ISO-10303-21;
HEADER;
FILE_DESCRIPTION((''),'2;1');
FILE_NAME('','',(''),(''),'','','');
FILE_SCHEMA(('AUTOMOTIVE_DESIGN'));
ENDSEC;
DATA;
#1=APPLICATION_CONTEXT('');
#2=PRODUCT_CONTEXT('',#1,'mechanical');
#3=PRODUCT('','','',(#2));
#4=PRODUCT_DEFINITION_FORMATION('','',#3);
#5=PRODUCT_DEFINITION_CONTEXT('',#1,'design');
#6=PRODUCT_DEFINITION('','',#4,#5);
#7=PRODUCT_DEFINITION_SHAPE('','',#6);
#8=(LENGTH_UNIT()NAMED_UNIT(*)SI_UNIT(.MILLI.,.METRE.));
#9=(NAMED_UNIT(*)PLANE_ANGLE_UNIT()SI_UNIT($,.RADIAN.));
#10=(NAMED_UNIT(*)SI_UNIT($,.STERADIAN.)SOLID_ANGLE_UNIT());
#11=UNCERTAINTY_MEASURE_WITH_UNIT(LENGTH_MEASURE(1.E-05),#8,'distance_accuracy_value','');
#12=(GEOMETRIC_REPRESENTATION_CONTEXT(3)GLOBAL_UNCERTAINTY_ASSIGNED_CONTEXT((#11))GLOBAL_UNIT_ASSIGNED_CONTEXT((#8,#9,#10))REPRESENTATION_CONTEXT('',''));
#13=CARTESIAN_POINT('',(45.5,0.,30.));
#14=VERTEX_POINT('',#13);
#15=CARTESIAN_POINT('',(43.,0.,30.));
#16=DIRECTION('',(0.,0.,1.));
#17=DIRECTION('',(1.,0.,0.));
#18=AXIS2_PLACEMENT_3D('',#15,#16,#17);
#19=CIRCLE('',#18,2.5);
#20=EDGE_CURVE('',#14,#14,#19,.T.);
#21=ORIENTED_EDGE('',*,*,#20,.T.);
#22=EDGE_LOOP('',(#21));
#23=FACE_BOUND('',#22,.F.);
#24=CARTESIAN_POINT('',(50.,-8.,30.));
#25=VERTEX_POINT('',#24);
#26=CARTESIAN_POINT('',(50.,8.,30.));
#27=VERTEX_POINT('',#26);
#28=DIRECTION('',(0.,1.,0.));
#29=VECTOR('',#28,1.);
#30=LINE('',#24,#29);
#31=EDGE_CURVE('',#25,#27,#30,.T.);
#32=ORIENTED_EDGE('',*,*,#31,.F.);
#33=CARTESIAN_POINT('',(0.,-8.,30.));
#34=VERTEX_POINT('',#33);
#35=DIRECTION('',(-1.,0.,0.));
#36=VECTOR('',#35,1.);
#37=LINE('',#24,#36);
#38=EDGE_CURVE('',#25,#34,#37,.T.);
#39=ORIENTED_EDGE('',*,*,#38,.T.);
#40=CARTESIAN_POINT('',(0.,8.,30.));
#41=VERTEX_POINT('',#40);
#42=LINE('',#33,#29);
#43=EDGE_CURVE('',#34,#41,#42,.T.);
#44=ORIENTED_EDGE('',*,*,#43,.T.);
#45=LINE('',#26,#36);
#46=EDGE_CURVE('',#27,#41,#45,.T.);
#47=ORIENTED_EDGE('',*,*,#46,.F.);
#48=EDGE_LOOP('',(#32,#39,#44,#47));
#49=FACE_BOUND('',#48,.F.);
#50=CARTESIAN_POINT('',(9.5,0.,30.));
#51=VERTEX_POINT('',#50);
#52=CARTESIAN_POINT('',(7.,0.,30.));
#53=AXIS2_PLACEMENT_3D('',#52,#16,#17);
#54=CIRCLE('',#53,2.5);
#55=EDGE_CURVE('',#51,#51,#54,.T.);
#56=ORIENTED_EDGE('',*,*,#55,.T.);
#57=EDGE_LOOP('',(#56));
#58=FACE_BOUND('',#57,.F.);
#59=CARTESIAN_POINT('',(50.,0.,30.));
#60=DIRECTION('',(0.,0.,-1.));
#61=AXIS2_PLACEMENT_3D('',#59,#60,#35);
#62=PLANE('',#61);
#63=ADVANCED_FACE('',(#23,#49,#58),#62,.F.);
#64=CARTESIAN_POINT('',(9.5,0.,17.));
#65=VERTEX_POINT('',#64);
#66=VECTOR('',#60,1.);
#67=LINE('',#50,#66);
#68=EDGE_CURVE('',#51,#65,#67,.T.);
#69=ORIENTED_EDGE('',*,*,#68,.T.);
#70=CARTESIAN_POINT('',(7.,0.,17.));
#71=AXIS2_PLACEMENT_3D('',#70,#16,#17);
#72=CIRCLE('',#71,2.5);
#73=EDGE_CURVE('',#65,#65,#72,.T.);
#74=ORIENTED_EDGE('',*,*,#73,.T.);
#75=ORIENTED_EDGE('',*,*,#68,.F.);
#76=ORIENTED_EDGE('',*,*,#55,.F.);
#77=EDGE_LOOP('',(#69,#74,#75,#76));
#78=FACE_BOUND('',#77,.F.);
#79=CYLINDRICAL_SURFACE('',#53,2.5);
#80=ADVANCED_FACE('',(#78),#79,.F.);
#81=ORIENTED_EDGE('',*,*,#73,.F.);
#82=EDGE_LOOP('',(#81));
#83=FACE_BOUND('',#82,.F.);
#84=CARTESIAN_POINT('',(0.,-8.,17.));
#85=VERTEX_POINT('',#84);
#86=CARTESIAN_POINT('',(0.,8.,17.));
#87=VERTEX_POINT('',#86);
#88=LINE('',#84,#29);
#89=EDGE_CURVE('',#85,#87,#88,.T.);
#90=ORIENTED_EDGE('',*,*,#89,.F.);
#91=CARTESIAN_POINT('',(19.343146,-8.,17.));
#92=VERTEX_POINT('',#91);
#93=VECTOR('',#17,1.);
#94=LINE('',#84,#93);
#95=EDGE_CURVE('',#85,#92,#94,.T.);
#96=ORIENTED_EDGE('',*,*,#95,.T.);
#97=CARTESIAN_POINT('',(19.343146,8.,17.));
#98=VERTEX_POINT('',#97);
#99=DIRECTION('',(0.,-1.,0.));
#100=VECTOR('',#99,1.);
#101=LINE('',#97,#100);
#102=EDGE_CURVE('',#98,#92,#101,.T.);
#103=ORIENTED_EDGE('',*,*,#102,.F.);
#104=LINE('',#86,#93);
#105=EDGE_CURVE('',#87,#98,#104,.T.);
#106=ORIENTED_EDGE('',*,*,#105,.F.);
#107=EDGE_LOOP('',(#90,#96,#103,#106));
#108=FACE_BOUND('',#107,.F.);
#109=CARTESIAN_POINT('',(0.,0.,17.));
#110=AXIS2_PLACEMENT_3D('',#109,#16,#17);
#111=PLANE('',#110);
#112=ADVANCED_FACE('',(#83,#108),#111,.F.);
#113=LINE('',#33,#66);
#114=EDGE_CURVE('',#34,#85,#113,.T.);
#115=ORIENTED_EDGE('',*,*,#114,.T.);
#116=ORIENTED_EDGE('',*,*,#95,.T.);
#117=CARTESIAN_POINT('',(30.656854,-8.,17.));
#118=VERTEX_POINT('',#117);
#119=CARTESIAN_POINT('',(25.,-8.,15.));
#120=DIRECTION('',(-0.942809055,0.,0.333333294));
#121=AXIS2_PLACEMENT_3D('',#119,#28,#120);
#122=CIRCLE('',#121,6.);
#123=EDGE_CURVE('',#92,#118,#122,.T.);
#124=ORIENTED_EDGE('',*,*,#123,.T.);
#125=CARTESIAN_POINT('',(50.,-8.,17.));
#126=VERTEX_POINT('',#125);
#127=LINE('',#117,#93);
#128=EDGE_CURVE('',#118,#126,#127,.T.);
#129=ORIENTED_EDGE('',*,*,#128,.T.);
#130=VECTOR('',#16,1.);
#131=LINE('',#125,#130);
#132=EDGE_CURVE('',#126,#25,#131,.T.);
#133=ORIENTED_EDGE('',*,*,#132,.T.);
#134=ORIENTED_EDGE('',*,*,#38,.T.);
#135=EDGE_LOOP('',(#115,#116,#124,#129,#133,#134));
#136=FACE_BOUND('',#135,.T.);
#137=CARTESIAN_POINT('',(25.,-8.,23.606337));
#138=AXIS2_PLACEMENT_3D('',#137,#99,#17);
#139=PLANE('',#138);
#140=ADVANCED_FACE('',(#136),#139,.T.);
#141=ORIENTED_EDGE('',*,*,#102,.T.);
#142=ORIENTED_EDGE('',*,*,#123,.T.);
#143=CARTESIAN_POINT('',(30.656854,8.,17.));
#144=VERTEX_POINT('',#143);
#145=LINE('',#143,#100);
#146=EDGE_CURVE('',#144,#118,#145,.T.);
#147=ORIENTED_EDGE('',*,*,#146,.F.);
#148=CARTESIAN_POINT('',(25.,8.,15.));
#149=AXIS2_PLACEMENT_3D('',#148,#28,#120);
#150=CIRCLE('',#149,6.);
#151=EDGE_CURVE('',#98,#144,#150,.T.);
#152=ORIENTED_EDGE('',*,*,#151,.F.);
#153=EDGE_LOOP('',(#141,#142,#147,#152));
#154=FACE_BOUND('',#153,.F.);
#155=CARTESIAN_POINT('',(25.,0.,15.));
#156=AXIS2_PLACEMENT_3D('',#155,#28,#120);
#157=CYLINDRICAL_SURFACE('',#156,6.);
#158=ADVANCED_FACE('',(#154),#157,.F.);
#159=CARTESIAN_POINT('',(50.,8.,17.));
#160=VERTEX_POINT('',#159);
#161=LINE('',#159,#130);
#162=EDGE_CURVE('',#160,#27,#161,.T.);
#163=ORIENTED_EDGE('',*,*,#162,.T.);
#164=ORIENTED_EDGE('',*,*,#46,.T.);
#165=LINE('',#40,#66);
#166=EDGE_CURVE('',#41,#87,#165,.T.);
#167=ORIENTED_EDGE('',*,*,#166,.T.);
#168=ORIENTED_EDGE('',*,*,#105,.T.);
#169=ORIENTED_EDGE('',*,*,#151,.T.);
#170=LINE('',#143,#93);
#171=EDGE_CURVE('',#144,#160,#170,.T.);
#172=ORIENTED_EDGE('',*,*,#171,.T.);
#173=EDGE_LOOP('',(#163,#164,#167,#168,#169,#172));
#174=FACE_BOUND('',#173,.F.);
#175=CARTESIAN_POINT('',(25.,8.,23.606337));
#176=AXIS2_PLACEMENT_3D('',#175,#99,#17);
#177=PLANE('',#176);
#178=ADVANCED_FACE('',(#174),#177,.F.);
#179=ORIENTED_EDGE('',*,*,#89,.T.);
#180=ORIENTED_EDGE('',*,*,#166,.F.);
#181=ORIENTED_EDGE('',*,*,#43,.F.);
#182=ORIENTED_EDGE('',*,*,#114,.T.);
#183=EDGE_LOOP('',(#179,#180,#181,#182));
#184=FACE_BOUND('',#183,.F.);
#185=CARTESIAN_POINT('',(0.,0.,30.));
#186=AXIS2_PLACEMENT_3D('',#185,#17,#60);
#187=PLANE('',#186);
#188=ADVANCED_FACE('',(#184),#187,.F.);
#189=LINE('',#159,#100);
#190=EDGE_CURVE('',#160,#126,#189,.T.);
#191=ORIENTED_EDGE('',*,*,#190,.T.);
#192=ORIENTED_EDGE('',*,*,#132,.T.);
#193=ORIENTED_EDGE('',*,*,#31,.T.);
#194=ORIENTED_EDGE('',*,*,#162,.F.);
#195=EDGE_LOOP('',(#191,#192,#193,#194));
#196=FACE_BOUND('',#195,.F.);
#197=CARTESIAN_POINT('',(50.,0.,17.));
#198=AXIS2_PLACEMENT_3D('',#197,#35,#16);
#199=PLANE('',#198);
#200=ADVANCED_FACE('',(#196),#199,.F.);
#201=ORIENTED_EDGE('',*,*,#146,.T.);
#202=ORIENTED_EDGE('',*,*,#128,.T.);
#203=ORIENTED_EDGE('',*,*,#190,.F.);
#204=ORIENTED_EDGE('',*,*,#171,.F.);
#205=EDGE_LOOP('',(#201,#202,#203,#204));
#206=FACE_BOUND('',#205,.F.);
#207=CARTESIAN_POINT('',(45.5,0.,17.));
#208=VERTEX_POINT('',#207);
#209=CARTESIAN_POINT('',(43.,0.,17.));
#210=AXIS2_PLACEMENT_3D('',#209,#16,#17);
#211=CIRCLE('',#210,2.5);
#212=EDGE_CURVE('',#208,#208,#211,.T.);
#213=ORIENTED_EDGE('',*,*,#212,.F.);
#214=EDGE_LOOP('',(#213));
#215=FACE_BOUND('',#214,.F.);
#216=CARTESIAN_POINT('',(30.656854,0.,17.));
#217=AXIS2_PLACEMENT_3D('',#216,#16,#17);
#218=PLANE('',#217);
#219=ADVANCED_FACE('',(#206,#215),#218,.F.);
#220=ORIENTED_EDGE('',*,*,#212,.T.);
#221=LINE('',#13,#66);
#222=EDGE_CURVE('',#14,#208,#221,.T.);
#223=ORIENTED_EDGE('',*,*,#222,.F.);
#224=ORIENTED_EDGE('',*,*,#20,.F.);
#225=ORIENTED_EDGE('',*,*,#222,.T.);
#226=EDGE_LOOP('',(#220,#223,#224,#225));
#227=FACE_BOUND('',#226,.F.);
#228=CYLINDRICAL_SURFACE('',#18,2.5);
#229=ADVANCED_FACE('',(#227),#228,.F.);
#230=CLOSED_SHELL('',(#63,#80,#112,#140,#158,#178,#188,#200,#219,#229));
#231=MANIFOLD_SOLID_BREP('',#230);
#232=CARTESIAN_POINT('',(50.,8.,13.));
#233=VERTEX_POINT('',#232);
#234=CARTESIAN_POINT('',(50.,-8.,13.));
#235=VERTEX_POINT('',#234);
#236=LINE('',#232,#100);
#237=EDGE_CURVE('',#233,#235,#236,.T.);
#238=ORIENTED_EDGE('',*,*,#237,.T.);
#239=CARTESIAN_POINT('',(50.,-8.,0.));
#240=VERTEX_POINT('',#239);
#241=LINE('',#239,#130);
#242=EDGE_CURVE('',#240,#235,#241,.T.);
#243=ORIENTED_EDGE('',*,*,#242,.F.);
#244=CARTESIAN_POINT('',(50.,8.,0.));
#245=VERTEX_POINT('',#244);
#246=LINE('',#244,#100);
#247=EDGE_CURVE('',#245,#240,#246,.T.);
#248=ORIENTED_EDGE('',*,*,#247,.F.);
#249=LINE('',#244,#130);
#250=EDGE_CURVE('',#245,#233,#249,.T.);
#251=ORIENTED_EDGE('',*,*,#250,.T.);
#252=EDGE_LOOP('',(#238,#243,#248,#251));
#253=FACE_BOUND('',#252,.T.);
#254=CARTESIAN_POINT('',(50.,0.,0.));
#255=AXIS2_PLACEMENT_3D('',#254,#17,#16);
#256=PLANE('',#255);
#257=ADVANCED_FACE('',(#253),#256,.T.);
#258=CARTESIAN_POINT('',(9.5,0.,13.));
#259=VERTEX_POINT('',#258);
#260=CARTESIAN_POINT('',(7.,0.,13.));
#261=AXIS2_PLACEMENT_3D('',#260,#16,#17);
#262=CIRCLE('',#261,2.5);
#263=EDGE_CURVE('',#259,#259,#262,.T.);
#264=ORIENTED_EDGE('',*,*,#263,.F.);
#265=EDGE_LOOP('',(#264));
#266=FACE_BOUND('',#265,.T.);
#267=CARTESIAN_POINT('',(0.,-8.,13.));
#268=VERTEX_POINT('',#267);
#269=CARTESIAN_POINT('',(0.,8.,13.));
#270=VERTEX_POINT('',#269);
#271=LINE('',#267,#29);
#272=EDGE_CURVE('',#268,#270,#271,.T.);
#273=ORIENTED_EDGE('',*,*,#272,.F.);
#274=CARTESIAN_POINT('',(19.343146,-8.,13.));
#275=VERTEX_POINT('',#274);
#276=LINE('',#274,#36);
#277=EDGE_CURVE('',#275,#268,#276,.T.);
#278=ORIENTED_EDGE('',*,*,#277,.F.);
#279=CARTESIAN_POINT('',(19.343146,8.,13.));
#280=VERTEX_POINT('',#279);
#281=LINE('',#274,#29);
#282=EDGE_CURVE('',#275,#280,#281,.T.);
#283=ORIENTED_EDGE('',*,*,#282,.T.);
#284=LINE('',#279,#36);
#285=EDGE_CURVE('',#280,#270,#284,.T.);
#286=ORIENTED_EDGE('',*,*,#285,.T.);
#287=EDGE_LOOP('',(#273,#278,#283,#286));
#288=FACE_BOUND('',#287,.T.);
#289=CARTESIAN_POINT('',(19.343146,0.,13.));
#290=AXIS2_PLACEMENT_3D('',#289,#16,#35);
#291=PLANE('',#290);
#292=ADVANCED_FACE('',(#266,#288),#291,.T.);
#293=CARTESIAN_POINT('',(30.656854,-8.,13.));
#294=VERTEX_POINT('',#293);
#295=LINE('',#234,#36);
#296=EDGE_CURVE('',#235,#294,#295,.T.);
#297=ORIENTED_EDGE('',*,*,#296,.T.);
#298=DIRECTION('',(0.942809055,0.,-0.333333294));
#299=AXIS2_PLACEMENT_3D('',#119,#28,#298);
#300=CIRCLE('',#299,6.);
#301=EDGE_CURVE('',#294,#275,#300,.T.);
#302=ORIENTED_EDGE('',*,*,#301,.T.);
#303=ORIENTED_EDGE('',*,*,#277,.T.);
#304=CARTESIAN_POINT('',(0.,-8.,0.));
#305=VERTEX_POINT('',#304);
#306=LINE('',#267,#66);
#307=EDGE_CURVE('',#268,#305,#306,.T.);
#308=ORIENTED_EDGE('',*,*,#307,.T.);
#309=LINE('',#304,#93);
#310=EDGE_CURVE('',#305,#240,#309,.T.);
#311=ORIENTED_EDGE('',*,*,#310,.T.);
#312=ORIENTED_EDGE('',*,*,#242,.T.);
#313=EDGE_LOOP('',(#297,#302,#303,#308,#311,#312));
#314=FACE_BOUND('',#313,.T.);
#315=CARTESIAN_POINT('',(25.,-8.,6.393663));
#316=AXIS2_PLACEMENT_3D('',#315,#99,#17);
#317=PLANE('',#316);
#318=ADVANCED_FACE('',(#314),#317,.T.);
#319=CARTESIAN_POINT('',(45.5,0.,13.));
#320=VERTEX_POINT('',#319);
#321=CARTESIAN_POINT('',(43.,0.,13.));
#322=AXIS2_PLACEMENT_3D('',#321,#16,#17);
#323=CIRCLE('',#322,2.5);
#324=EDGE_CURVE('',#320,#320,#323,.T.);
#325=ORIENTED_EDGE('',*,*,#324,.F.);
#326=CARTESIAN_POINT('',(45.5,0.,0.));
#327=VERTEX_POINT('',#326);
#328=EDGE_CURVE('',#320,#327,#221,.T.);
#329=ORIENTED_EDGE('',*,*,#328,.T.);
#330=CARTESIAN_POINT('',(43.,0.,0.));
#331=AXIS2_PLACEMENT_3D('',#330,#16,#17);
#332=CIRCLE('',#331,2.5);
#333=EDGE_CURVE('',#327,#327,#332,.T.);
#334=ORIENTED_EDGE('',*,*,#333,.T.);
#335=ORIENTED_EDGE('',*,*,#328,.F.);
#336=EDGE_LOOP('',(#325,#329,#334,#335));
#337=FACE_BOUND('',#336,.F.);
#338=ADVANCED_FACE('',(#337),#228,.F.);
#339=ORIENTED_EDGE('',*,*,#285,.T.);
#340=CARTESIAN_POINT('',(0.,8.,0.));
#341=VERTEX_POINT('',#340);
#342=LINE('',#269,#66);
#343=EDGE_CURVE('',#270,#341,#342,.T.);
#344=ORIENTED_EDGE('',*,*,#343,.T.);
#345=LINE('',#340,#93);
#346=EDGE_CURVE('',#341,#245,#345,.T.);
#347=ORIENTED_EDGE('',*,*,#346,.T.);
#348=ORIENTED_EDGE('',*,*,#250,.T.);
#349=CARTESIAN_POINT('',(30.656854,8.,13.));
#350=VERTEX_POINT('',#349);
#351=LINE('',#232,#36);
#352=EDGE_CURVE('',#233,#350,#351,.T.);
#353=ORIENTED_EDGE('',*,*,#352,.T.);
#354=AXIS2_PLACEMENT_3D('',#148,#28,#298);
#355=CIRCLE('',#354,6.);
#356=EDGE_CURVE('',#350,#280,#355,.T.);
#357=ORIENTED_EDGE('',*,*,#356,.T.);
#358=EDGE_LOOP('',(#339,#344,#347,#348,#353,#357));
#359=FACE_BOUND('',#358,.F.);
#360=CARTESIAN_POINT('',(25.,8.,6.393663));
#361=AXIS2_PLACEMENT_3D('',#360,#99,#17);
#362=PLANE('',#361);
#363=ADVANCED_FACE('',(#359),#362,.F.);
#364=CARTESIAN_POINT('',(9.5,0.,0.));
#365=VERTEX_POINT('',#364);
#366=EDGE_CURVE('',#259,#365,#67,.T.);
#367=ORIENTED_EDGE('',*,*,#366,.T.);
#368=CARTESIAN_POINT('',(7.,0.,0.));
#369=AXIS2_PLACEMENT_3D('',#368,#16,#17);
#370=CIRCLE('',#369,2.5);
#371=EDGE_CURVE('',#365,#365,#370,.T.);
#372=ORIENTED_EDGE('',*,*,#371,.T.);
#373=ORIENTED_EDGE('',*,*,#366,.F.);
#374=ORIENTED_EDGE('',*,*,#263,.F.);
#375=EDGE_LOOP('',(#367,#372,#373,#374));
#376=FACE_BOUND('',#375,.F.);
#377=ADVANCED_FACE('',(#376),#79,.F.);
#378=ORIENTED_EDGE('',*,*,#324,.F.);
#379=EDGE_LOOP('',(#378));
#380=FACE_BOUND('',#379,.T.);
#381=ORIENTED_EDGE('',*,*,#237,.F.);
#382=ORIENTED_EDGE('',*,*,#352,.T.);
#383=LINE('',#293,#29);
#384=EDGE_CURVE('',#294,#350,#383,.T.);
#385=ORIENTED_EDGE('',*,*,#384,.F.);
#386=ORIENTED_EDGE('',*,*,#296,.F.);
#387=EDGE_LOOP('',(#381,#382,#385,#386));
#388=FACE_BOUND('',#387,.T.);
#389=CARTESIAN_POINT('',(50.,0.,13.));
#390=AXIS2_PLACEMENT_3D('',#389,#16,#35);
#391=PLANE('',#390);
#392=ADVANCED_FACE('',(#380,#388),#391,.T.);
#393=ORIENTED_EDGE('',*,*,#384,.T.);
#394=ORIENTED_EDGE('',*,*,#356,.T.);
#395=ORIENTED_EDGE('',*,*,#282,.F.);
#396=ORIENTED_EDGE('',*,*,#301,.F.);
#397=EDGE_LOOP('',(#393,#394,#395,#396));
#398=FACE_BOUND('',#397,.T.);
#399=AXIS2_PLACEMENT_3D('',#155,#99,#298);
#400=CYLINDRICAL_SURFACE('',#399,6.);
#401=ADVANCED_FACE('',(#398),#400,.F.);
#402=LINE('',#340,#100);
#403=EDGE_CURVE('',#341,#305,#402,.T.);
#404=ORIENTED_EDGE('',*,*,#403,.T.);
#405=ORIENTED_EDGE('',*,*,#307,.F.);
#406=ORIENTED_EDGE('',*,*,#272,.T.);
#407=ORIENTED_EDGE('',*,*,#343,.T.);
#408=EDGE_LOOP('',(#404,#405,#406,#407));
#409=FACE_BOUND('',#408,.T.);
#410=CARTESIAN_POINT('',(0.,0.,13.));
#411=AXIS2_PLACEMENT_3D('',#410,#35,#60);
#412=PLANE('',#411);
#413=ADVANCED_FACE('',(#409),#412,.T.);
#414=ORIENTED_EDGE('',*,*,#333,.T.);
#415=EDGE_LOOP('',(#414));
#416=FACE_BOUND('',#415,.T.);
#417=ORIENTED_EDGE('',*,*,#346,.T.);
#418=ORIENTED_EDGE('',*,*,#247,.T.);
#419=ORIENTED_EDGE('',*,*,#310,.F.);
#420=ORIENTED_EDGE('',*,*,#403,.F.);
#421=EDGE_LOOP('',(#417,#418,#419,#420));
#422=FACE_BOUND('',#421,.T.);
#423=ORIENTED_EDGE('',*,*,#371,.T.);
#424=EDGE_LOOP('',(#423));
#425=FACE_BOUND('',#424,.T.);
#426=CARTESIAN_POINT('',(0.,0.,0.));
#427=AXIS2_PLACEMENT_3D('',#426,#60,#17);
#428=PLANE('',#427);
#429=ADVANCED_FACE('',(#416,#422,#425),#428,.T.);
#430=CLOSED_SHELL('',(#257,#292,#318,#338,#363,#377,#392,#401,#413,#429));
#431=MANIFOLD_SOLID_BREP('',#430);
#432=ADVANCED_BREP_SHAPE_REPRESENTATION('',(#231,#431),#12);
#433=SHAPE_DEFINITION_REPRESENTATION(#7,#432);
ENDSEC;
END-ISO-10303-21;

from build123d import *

# Parameters (mm, degrees)
F1_DEPTH = 8
F2_R     = 2.5
F3_DEPTH = 50


with BuildPart() as f1:
    # F0 (on Front) → F1 (new body, symmetric)
    with BuildSketch(Plane.XZ):
        with BuildLine():
            Line((0, 17), (19.343146, 17))
            ThreePointArc((19.343146, 17), (25, 21), (30.656854, 17))
            Line((30.656854, 17), (50, 17))
            Line((50, 17), (50, 30))
            Line((50, 30), (0, 30))
            Line((0, 30), (0, 17))
        make_face()
        with BuildLine():
            Line((0, 13), (0, 0))
            Line((0, 0), (50, 0))
            Line((50, 0), (50, 13))
            Line((50, 13), (30.656854, 13))
            ThreePointArc((30.656854, 13), (25, 9), (19.343146, 13))
            Line((19.343146, 13), (0, 13))
        make_face()
    extrude(amount=F1_DEPTH, both=True)

    # F2 (on face) → F3 (cut)
    with BuildSketch(Plane.XY.offset(30)):
        with Locations((7, 0)):
            Circle(F2_R)
        with Locations((43, 0)):
            Circle(F2_R)
    extrude(amount=-F3_DEPTH, mode=Mode.SUBTRACT)


solid = f1.part
